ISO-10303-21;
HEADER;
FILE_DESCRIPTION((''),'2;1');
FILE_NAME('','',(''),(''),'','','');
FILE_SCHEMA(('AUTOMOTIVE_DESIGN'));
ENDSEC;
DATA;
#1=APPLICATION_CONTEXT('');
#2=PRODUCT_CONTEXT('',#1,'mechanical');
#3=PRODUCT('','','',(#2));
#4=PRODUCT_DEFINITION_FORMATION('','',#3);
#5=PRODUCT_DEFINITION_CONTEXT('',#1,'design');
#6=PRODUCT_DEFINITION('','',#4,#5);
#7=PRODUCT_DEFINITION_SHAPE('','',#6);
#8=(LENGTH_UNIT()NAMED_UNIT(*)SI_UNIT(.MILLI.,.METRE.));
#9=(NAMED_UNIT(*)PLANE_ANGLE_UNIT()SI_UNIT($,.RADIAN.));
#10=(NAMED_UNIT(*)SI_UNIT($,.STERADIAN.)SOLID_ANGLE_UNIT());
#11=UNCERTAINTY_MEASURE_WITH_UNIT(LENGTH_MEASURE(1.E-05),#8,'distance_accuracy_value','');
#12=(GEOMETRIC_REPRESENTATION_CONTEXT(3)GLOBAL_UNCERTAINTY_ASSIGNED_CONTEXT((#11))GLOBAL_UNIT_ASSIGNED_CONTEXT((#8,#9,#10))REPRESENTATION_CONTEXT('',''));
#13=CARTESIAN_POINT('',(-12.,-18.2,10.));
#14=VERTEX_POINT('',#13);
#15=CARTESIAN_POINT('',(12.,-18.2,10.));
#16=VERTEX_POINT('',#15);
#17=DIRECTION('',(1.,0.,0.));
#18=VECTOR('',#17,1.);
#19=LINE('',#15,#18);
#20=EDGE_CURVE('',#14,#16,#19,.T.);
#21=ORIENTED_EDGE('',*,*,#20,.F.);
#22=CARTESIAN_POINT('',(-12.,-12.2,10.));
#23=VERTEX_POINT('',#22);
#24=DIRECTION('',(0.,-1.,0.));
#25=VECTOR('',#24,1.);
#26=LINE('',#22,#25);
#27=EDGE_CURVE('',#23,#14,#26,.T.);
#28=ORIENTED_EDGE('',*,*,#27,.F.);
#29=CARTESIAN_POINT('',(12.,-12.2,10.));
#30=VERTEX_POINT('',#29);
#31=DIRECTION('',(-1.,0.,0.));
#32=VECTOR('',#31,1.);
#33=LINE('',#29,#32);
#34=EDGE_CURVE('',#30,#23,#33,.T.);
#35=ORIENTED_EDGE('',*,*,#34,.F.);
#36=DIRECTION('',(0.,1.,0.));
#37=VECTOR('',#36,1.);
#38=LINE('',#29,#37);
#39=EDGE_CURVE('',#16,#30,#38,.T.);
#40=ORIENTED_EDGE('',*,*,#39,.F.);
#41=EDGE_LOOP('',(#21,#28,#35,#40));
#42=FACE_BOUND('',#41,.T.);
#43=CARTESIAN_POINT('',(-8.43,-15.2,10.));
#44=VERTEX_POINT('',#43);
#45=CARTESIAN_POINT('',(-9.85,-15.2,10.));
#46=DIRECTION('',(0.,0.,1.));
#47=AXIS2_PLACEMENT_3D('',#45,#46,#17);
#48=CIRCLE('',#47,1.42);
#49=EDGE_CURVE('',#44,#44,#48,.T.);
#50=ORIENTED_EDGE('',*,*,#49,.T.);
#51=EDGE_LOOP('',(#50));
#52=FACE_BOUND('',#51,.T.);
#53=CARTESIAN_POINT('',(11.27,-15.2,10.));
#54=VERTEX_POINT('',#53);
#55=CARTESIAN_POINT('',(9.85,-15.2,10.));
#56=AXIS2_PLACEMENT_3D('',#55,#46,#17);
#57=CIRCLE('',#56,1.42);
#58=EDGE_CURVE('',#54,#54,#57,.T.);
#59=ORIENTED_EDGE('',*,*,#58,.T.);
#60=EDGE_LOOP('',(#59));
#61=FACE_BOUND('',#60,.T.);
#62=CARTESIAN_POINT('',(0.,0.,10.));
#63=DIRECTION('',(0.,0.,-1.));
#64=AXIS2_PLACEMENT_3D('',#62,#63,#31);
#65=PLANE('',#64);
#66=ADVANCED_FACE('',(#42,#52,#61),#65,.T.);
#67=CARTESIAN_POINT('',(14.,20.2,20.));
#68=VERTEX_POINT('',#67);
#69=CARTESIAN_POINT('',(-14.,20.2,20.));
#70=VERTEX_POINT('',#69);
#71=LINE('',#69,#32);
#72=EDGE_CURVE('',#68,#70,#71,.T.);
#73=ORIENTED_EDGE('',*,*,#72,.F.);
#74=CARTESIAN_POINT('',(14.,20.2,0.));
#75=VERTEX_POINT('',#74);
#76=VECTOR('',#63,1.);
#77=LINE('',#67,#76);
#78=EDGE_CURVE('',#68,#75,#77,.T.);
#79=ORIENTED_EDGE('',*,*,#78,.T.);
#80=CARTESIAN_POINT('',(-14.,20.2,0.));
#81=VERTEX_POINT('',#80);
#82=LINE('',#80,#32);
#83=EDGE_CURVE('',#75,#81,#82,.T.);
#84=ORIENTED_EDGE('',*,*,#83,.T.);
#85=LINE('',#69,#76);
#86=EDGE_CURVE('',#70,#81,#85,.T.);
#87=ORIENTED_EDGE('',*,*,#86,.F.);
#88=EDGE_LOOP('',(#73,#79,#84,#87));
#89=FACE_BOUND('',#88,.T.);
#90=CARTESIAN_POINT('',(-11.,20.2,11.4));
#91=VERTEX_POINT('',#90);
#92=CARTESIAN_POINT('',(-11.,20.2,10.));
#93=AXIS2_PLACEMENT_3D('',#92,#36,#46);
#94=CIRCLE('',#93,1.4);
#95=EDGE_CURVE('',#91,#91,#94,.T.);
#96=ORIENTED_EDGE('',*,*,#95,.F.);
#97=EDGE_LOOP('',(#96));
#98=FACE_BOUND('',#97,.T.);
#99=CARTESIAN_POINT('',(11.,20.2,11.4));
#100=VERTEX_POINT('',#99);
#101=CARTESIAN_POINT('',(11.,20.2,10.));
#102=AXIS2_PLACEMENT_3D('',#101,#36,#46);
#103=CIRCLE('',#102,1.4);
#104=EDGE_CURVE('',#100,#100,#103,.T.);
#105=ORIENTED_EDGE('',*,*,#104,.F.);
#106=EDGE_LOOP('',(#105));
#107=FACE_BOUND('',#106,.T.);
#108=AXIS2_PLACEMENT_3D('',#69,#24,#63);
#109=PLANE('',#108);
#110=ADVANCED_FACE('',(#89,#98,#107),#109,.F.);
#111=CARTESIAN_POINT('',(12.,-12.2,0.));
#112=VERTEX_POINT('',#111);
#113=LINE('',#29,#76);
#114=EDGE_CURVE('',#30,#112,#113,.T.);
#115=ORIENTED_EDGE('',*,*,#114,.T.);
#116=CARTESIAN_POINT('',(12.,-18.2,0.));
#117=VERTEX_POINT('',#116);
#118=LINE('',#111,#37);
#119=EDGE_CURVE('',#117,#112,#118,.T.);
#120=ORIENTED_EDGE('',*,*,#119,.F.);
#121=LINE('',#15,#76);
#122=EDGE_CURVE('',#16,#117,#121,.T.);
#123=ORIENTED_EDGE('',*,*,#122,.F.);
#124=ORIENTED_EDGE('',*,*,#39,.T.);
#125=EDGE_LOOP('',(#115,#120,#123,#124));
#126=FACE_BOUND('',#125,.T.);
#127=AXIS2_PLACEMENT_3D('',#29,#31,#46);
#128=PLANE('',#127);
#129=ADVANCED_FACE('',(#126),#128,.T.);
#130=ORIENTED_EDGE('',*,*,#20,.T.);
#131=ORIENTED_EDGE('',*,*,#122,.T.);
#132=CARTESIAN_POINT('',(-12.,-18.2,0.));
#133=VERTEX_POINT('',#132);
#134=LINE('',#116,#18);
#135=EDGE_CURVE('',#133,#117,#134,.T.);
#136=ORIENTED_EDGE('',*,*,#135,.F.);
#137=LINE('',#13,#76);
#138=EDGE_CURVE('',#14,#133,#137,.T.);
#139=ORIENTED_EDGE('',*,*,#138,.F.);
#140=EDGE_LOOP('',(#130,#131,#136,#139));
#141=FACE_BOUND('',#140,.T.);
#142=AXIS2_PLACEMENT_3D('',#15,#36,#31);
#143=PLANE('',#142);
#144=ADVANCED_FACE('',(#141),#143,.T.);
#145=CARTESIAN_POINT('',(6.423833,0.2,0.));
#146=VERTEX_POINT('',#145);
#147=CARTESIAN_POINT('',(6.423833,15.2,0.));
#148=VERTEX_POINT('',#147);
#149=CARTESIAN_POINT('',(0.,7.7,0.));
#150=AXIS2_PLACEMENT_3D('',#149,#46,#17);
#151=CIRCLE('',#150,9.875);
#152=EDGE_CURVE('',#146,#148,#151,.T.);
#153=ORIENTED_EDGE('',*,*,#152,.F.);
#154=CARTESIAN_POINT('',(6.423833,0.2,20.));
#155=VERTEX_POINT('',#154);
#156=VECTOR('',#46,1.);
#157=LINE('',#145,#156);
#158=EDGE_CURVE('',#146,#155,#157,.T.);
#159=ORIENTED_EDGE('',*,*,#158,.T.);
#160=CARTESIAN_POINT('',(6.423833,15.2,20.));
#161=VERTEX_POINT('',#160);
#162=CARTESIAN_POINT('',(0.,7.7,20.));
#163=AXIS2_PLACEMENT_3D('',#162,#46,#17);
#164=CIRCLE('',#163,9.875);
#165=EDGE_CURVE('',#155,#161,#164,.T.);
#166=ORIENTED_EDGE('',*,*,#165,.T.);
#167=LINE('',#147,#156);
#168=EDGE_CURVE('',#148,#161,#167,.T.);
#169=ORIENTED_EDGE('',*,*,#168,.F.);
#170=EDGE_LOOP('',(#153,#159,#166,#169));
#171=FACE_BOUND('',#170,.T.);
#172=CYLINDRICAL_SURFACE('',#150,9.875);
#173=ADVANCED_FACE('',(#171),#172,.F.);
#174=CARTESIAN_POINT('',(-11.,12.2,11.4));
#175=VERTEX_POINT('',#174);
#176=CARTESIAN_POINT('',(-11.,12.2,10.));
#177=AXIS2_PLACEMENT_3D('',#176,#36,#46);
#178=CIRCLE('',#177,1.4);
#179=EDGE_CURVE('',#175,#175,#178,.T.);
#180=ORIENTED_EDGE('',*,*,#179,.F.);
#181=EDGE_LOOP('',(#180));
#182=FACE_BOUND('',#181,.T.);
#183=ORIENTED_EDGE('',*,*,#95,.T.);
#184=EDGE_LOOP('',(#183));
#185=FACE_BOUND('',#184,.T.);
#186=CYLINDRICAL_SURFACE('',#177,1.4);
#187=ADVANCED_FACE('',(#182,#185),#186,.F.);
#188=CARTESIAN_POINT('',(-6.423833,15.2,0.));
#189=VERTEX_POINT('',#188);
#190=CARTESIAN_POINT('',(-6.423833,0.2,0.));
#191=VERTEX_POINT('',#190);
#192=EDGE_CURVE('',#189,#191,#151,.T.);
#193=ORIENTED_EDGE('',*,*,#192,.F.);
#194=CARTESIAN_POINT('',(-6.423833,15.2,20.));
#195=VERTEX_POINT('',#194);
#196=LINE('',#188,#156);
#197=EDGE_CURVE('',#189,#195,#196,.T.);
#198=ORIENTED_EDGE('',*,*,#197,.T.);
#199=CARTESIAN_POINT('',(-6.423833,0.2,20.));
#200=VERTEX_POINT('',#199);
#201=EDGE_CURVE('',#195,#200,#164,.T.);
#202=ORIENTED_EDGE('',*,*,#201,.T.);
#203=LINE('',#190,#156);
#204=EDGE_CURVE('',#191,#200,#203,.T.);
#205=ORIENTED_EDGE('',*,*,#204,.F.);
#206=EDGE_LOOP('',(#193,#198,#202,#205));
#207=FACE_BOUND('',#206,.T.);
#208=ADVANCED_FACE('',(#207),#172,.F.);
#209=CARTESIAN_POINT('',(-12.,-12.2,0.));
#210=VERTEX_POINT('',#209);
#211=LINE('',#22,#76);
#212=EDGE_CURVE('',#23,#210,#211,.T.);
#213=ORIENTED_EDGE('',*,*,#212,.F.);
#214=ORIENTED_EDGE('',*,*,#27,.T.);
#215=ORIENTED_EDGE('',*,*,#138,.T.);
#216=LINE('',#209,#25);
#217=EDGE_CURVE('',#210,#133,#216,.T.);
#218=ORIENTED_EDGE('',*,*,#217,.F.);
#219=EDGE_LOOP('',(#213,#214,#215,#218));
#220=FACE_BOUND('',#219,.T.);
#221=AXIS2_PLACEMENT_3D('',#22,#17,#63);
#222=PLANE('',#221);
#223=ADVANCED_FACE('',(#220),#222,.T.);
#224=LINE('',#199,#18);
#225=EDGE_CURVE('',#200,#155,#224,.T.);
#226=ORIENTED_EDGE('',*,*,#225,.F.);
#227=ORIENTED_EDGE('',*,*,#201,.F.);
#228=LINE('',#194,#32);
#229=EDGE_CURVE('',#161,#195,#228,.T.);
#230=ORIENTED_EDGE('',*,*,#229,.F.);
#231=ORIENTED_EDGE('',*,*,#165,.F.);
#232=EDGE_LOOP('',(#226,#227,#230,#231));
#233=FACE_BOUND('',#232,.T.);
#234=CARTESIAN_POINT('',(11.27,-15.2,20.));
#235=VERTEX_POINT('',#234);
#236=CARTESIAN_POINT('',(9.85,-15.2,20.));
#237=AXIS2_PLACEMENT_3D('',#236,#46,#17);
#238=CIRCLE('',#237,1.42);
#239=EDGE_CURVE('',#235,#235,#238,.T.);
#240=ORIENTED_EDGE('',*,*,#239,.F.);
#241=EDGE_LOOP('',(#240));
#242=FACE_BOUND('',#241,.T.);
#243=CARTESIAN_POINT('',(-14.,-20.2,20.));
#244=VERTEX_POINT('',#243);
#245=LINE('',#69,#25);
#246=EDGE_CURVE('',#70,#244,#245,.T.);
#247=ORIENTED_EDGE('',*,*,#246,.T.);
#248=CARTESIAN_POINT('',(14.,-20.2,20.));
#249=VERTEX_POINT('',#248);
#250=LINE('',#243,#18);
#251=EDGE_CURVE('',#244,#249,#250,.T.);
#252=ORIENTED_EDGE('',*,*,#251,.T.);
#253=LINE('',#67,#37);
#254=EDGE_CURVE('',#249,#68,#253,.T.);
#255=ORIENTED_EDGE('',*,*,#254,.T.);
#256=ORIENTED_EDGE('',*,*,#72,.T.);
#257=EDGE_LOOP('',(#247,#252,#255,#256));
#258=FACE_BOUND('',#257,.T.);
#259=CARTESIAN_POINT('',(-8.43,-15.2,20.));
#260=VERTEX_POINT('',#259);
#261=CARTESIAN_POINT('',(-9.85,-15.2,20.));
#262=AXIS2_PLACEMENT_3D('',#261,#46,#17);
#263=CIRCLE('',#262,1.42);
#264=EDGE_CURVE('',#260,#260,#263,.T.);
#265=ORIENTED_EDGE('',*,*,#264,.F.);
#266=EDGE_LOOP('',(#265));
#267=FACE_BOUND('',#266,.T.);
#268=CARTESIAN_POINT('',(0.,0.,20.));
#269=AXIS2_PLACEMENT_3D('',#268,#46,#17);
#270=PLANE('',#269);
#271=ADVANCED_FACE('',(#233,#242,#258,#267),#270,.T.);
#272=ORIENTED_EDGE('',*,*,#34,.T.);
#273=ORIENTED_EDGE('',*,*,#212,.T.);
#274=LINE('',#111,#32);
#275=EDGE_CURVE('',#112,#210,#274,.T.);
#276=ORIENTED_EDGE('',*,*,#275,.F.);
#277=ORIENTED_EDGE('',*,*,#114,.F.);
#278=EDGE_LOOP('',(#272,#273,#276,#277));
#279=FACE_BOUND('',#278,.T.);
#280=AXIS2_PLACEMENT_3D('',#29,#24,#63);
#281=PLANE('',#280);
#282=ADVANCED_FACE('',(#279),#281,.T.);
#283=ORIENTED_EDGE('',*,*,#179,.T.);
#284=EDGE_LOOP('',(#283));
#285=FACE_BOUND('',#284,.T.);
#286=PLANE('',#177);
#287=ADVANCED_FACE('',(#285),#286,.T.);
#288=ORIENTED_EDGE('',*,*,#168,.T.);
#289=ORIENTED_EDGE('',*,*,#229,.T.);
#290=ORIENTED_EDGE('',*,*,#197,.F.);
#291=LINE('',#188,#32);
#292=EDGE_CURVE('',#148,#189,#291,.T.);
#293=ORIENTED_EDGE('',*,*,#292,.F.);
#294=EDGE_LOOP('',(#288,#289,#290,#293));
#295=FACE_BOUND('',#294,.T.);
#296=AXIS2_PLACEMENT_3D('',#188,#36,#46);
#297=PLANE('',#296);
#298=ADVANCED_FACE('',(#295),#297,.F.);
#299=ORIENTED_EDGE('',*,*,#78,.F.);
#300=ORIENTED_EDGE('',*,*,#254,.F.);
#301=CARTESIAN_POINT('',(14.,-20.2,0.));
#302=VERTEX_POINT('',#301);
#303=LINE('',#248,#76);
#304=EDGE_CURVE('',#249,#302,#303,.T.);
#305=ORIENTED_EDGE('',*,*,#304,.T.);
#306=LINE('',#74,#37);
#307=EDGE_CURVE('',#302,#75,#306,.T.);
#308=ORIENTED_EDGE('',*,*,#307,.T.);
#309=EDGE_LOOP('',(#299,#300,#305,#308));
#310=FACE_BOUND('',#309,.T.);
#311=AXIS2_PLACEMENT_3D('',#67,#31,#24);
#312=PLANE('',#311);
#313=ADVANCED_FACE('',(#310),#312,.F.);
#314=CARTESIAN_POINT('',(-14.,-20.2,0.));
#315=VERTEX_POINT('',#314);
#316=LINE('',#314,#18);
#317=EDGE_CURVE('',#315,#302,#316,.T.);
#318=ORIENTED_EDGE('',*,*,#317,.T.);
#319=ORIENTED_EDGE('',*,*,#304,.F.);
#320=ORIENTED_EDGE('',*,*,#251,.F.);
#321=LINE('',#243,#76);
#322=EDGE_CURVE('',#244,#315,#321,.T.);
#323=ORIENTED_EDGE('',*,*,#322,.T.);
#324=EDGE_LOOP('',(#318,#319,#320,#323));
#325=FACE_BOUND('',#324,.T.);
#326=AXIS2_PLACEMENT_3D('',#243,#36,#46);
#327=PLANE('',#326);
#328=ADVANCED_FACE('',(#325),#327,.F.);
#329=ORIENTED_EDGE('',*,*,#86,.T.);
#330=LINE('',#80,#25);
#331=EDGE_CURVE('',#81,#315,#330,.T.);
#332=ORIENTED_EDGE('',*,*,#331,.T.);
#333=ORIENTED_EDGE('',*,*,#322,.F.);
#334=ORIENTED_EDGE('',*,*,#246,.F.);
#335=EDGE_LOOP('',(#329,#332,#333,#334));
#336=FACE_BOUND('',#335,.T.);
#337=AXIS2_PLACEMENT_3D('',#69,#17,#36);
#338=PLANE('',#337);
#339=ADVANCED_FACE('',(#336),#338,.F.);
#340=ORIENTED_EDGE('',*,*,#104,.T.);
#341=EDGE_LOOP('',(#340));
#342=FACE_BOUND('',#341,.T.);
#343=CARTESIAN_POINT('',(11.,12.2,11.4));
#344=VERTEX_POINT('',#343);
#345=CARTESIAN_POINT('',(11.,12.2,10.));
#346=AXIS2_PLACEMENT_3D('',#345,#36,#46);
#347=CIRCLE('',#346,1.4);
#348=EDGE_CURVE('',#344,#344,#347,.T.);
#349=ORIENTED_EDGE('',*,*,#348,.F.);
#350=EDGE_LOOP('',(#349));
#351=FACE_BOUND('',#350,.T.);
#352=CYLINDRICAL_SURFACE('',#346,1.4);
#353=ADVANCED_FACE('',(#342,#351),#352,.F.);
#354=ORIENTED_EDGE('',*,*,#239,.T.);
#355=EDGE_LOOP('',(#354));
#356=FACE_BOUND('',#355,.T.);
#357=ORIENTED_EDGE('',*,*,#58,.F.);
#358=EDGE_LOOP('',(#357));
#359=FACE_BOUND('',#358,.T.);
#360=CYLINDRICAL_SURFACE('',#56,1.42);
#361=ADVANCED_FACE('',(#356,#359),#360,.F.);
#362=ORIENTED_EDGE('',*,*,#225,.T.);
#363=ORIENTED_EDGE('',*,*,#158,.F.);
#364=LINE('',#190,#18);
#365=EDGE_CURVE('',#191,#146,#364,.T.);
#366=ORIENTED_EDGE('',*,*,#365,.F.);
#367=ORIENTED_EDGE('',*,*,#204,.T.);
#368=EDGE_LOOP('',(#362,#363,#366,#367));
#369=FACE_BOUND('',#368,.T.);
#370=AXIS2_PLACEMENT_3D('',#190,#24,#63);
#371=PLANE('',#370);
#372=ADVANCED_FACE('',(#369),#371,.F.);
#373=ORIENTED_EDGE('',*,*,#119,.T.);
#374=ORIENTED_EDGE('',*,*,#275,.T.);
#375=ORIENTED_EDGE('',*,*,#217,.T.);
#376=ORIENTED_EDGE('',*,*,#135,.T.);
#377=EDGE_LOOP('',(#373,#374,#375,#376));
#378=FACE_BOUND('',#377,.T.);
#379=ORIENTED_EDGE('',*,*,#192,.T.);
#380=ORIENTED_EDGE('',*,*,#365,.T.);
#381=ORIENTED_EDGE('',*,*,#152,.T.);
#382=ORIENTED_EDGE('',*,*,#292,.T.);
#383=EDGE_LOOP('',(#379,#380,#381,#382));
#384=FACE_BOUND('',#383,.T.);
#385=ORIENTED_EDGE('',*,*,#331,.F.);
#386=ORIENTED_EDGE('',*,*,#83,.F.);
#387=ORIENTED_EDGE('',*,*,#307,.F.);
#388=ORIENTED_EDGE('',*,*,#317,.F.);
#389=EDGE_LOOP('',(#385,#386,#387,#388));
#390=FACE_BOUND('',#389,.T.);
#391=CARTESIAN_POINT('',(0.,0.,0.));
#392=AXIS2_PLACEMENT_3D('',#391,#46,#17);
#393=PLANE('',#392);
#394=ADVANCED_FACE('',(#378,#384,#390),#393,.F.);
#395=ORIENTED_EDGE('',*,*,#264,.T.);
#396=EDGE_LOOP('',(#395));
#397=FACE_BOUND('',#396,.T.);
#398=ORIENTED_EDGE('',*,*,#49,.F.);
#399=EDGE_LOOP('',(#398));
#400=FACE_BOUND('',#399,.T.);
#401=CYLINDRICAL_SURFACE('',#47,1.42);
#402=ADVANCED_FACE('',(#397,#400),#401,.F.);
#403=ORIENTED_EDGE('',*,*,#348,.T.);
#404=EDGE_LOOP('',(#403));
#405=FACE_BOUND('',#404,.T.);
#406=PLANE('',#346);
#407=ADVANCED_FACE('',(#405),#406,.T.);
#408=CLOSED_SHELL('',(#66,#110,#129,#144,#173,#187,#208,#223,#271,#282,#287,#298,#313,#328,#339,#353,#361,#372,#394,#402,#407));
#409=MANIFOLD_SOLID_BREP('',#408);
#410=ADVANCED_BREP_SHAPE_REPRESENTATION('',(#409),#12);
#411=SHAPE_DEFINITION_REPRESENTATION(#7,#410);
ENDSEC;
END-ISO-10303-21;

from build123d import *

# Parameters (mm, degrees)
SKETCH4_W           = 28
SKETCH4_H           = 40.4
BOSS_EXTRUDE1_DEPTH = 20
CUT_EXTRUDE1_DEPTH  = 21
SKETCH6_R           = 1.42
CUT_EXTRUDE3_DEPTH  = 10
SKETCH7_W           = 24
SKETCH7_H           = 6
CUT_EXTRUDE4_DEPTH  = 10
SKETCH8_R           = 1.4
CUT_EXTRUDE5_DEPTH  = 8


with BuildPart() as part:
    # Sketch4 → Boss-Extrude1 (new body)
    with BuildSketch(Plane.XY):
        Rectangle(SKETCH4_W, SKETCH4_H)
    extrude(amount=BOSS_EXTRUDE1_DEPTH)

    # Sketch5 → Cut-Extrude1 (cut, through all)
    with BuildSketch(Plane.XY.offset(20)):
        with BuildLine():
            Line((-6.423832579, 15.2), (6.423832579, 15.2))
            ThreePointArc((6.423832579, 15.2), (9.875, 7.7), (6.423832579, 0.2))
            Line((6.423832579, 0.2), (-6.423832579, 0.2))
            ThreePointArc((-6.423832579, 0.2), (-9.875, 7.7), (-6.423832579, 15.2))
        make_face()
    extrude(amount=-CUT_EXTRUDE1_DEPTH, mode=Mode.SUBTRACT)

    # Sketch6 → Cut-Extrude3 (cut)
    with BuildSketch(Plane.XY.offset(20)):
        with Locations((-9.85, -15.2)):
            Circle(SKETCH6_R)
        with Locations((9.85, -15.2)):
            Circle(SKETCH6_R)
    extrude(amount=-CUT_EXTRUDE3_DEPTH, mode=Mode.SUBTRACT)

    # Sketch7 → Cut-Extrude4 (cut)
    with BuildSketch(Plane.XY):
        with Locations((0, -15.2)):
            Rectangle(SKETCH7_W, SKETCH7_H)
    extrude(amount=CUT_EXTRUDE4_DEPTH, mode=Mode.SUBTRACT)

    # Sketch8 → Cut-Extrude5 (cut)
    with BuildSketch(Plane(origin=(0, 20.2, 0), x_dir=(1, 0, 0), z_dir=(0, 1, 0))):
        with Locations((-11, -10)):
            Circle(SKETCH8_R)
        with Locations((11, -10)):
            Circle(SKETCH8_R)
    extrude(amount=-CUT_EXTRUDE5_DEPTH, mode=Mode.SUBTRACT)


solid = part.part
